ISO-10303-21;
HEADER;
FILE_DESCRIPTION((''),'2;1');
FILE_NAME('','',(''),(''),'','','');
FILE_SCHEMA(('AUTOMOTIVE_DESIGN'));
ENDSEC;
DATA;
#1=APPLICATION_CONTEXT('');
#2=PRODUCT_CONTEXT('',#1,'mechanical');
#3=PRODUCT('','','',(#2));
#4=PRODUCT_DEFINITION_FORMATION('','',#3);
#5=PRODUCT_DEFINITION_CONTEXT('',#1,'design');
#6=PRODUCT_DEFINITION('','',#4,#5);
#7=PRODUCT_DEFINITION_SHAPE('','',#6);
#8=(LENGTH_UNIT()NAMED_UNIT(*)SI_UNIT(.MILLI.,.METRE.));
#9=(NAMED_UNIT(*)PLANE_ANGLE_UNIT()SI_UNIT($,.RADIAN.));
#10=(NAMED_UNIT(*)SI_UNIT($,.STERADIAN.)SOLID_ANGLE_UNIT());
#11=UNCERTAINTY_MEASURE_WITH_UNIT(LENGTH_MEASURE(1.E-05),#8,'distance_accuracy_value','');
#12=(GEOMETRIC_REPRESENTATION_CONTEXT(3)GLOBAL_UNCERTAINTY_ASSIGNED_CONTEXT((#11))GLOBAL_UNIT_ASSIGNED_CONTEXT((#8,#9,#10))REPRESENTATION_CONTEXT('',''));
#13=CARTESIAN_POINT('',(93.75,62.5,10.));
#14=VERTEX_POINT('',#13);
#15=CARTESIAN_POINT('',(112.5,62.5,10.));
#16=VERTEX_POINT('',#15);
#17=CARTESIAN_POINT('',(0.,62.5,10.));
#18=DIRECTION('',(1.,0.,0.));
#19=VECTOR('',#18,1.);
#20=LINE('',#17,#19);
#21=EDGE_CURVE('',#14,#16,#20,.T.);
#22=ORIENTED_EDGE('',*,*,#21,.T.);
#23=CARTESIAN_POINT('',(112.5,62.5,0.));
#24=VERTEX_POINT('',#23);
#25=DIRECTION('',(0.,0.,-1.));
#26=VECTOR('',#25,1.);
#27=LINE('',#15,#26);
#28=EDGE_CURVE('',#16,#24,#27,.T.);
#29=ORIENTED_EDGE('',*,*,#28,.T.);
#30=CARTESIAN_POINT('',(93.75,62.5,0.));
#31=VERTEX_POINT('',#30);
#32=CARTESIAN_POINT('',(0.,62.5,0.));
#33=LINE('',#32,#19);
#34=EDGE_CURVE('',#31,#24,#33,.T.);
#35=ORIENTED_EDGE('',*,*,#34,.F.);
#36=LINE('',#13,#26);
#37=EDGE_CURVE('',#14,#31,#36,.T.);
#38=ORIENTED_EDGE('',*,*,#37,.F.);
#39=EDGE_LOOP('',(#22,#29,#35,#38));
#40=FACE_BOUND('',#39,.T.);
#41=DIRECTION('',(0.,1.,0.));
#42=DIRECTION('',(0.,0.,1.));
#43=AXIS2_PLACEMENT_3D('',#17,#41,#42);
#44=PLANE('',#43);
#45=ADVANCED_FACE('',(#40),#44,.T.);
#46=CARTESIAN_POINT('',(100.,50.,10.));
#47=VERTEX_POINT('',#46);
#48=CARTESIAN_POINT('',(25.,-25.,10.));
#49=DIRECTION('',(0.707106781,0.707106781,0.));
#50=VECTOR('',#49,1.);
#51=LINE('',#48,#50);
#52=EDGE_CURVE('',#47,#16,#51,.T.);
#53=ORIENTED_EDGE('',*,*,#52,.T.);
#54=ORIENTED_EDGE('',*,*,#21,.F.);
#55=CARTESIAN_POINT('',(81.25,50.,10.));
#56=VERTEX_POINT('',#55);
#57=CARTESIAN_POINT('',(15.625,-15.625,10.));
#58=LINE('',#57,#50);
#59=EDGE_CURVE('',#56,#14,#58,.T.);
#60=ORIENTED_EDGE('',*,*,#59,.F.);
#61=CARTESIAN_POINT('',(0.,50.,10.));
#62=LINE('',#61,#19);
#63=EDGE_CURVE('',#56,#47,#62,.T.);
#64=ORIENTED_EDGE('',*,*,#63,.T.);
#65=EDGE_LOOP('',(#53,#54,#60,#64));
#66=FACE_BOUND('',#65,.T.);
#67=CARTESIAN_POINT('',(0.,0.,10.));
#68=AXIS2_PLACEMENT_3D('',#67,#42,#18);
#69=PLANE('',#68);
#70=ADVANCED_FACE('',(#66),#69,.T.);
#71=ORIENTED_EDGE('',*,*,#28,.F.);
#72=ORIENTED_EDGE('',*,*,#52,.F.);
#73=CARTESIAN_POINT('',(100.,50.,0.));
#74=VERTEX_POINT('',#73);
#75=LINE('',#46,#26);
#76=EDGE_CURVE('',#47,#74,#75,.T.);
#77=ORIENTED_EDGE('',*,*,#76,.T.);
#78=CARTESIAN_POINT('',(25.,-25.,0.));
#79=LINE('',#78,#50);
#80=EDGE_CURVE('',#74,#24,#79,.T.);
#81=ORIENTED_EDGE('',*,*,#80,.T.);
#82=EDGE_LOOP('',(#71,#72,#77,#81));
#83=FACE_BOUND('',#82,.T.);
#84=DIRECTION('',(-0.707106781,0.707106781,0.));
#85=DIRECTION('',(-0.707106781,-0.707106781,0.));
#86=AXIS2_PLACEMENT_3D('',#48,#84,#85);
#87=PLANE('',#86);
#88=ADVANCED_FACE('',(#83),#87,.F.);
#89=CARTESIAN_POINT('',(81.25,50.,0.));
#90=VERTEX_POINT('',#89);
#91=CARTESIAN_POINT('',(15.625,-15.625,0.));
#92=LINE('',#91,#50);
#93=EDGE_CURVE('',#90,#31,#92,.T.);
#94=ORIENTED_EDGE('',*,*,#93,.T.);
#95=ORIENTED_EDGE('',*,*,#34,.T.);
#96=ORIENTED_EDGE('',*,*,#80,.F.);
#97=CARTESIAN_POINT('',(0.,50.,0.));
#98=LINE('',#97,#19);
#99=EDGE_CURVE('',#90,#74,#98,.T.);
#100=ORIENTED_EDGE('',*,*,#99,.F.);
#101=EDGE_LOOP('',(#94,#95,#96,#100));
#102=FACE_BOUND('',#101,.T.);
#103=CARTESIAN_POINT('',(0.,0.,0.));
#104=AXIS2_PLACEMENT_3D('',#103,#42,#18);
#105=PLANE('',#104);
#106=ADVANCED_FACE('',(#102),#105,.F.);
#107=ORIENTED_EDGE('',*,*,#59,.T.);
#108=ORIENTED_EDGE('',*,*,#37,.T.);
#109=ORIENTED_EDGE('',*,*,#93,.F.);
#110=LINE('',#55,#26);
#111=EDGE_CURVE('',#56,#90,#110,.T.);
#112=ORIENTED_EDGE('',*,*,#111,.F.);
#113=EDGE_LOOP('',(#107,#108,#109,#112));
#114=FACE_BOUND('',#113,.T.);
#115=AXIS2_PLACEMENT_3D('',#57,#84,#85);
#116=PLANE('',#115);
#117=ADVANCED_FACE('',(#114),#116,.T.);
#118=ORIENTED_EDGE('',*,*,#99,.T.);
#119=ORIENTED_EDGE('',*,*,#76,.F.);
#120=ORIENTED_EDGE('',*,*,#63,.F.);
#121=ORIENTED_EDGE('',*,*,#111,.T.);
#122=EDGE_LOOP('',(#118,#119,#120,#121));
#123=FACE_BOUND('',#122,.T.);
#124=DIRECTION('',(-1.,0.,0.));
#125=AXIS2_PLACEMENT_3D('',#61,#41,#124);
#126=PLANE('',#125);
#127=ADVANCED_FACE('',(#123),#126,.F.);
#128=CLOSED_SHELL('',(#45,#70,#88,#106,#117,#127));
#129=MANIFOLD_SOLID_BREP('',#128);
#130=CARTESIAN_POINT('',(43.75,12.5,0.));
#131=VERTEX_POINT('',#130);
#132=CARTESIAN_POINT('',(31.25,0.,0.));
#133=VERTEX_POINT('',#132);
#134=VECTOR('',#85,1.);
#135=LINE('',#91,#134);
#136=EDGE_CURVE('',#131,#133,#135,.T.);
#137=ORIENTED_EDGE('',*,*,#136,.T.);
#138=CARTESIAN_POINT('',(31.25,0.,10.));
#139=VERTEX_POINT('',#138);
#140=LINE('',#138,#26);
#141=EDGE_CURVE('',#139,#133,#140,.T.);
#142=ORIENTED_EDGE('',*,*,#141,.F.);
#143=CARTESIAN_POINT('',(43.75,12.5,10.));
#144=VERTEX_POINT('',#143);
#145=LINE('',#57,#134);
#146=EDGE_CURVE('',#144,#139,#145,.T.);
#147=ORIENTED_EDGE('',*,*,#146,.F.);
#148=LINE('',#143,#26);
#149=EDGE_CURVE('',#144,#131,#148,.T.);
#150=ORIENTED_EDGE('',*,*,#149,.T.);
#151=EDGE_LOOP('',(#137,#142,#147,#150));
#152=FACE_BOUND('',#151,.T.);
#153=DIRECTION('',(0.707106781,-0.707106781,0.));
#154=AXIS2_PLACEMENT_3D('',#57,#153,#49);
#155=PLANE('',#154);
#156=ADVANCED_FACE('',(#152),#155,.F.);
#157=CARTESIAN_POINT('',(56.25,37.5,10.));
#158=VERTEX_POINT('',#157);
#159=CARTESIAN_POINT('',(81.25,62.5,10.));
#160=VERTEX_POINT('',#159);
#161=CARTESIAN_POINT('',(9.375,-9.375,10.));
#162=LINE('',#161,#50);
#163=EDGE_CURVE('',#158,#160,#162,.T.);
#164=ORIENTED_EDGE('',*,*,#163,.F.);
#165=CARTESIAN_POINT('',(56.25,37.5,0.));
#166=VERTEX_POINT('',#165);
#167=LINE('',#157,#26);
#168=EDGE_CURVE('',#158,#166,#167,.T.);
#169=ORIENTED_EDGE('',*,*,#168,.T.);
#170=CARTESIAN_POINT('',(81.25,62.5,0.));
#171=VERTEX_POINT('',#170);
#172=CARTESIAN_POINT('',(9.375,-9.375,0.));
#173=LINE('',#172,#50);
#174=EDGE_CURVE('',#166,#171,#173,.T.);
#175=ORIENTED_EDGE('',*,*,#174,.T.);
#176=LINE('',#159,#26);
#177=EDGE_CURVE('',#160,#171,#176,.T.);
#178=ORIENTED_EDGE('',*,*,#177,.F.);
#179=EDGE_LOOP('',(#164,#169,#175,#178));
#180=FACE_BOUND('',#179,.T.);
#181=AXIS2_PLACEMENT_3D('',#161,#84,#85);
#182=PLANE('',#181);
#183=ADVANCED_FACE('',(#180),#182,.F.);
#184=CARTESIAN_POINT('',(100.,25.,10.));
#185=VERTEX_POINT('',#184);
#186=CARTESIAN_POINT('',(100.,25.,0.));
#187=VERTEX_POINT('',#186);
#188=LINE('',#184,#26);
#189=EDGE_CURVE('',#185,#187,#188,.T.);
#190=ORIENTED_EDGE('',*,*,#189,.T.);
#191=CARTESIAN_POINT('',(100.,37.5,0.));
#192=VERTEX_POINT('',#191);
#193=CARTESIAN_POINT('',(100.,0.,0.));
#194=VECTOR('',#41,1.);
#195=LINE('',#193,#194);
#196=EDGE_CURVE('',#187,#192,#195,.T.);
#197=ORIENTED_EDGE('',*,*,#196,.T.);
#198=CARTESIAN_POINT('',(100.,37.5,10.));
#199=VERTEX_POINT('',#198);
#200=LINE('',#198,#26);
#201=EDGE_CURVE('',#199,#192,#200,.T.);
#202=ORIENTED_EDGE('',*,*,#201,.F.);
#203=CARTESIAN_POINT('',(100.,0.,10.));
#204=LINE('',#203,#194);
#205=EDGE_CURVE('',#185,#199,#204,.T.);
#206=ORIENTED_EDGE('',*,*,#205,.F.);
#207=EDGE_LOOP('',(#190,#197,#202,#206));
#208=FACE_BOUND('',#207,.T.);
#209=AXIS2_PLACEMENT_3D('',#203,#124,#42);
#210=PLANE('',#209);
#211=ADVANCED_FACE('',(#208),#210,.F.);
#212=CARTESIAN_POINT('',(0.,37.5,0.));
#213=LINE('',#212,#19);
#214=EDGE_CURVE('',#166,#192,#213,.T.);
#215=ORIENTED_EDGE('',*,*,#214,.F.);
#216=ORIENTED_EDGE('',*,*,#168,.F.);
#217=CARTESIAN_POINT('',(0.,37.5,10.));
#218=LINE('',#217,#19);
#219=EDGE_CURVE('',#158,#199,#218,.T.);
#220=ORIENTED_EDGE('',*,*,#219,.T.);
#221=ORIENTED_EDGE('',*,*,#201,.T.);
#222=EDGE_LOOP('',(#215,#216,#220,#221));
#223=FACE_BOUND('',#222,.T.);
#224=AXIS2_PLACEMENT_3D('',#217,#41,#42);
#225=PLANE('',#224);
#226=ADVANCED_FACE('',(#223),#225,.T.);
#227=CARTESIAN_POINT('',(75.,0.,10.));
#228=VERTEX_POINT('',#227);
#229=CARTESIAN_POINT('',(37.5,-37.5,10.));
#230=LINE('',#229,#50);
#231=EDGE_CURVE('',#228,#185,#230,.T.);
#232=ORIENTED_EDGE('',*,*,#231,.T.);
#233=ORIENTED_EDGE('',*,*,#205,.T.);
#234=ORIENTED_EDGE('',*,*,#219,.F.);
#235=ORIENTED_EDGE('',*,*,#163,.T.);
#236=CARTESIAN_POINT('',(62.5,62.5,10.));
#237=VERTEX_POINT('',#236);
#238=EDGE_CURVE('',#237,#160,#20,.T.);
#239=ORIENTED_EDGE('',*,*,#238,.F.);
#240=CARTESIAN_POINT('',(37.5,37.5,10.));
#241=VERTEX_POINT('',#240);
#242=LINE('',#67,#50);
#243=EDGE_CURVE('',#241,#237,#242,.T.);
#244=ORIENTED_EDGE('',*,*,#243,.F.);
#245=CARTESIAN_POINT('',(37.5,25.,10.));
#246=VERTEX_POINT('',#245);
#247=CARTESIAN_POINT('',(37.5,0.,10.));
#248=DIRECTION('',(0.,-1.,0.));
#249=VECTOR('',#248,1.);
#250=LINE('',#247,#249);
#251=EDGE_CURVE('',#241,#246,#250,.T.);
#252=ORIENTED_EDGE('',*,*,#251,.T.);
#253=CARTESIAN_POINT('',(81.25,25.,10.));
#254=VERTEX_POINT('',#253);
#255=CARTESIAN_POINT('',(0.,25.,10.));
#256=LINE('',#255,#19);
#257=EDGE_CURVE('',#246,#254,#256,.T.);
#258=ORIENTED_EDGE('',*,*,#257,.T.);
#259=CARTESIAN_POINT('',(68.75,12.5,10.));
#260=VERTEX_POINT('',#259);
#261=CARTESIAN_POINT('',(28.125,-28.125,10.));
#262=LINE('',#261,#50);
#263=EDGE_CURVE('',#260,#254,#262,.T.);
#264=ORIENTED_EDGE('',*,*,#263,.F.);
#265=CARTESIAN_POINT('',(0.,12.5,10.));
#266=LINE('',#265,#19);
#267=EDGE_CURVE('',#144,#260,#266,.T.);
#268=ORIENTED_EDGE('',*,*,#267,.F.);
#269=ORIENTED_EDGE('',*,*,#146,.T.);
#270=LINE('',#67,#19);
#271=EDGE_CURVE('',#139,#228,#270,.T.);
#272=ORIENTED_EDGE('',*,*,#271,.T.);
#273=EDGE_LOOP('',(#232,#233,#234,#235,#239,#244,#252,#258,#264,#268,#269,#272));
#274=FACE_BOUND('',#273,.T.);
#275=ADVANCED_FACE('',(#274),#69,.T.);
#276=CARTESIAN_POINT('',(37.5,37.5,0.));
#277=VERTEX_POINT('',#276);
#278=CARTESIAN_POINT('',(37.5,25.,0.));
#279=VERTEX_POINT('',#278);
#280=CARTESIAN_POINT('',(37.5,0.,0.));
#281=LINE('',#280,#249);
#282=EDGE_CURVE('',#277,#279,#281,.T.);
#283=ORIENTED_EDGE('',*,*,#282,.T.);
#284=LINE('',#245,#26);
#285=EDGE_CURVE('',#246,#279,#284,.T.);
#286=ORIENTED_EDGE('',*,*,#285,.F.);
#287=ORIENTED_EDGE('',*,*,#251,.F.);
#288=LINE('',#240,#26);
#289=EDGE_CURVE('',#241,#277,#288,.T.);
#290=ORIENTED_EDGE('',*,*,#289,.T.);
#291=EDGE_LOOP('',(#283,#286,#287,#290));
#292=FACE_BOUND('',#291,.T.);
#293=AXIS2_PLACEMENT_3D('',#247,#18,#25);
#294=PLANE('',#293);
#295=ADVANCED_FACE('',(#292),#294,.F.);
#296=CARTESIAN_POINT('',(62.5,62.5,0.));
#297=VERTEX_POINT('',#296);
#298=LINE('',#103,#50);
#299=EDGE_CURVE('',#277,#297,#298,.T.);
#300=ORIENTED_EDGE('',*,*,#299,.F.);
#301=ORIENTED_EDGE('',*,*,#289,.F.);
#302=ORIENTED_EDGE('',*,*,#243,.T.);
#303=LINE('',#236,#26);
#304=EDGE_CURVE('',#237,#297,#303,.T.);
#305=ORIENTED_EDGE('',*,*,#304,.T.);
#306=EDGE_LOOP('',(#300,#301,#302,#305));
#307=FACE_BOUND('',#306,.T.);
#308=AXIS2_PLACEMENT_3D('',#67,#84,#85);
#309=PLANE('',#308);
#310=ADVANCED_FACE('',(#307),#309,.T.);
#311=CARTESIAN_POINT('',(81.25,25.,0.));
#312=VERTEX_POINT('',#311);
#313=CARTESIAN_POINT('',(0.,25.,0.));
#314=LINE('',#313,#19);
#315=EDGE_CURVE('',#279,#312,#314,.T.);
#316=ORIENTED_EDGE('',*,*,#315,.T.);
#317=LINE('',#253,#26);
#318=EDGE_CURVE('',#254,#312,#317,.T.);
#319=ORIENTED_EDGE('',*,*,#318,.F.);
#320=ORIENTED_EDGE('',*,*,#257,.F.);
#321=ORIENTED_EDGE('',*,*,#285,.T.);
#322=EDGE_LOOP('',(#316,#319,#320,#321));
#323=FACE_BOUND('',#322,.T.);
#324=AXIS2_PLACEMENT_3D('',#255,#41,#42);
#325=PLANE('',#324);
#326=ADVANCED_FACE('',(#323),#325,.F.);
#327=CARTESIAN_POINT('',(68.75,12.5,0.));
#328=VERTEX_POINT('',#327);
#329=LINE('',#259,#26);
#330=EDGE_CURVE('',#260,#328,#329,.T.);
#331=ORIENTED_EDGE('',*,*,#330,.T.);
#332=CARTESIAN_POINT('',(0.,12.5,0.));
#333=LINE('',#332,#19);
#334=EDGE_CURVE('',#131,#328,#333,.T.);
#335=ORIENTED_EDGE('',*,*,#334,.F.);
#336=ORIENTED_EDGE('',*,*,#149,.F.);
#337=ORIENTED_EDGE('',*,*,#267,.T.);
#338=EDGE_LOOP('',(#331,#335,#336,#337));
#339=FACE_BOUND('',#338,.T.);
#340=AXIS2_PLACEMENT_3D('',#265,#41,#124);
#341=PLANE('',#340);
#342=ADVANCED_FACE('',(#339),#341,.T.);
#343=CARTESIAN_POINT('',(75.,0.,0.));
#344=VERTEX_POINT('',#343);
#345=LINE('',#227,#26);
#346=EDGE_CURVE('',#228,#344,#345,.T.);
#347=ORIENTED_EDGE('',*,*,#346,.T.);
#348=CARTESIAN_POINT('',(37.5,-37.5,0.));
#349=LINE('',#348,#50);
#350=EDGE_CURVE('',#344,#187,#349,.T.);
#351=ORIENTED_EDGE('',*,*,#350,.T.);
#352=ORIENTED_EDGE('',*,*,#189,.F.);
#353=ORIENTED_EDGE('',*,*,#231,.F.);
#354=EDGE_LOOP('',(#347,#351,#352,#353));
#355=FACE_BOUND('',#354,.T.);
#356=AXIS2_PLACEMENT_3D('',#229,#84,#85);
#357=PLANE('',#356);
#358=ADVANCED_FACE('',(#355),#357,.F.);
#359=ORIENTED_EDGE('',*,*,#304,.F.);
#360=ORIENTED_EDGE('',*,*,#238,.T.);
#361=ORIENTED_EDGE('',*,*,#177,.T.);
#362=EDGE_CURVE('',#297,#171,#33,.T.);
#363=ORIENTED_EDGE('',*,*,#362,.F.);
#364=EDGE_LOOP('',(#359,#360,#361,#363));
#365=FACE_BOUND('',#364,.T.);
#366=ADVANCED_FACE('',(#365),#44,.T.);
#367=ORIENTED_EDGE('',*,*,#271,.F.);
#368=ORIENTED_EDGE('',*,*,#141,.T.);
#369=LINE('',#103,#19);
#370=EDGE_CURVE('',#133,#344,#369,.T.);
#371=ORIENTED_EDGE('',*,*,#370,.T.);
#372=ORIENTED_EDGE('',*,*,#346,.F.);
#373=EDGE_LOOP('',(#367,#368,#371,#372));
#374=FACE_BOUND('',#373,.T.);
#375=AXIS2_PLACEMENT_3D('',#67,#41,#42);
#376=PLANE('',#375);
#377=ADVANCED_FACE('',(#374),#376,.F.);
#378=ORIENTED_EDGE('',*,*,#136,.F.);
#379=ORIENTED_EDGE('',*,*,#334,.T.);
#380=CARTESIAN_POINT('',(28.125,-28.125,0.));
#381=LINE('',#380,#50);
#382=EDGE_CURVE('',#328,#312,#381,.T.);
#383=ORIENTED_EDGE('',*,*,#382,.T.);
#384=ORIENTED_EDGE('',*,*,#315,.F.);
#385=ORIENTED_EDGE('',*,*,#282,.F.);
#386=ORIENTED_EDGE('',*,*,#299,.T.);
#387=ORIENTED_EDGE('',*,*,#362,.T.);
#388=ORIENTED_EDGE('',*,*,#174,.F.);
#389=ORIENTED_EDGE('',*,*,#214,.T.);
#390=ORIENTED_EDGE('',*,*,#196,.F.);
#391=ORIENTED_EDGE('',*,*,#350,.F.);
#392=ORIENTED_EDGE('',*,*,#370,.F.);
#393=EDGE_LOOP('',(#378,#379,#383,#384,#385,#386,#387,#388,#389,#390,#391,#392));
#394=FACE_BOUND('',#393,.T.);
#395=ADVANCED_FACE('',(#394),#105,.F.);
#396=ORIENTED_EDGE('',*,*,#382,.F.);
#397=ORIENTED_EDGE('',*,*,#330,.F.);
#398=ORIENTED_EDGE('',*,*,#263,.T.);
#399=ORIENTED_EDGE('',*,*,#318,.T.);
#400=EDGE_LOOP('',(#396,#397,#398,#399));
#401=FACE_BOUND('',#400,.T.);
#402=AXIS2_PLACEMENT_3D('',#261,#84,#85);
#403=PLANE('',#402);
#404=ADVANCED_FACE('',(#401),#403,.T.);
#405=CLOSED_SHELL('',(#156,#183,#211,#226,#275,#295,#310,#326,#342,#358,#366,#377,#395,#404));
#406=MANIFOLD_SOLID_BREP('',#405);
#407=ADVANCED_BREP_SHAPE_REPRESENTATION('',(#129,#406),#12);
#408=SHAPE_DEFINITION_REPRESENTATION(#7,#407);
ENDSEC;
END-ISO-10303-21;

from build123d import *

# Parameters (mm, degrees)
BOSS_EXTRUDE1_DEPTH = 10


with BuildPart() as part:
    # Sketch1 → Boss-Extrude1 (new body)
    with BuildSketch(Plane.XY):
        Polygon((100, 62.5), (87.5, 50), (100, 50), (112.5, 62.5), align=None)
        Polygon((93.75, 62.5), (81.25, 50), (87.5, 50), (100, 62.5), align=None)
        Polygon((62.5, 62.5), (50, 50), (68.75, 50), (81.25, 62.5), align=None)
        Polygon((50, 50), (37.5, 37.5), (56.25, 37.5), (68.75, 50), align=None)
        Polygon((37.5, 25), (43.75, 25), (56.25, 37.5), (37.5, 37.5), align=None)
        Polygon((56.25, 37.5), (43.75, 25), (62.5, 25), (75, 37.5), align=None)
        Polygon((75, 37.5), (62.5, 25), (81.25, 25), (93.75, 37.5), align=None)
        Polygon((93.75, 37.5), (81.25, 25), (100, 25), (100, 37.5), align=None)
        Polygon((81.25, 25), (68.75, 12.5), (87.5, 12.5), (100, 25), align=None)
        Polygon((68.75, 12.5), (56.25, 0), (75, 0), (87.5, 12.5), align=None)
        Polygon((50, 12.5), (37.5, 0), (56.25, 0), (68.75, 12.5), align=None)
        Polygon((43.75, 12.5), (31.25, 0), (37.5, 0), (50, 12.5), align=None)
    extrude(amount=BOSS_EXTRUDE1_DEPTH)


solid = part.part
